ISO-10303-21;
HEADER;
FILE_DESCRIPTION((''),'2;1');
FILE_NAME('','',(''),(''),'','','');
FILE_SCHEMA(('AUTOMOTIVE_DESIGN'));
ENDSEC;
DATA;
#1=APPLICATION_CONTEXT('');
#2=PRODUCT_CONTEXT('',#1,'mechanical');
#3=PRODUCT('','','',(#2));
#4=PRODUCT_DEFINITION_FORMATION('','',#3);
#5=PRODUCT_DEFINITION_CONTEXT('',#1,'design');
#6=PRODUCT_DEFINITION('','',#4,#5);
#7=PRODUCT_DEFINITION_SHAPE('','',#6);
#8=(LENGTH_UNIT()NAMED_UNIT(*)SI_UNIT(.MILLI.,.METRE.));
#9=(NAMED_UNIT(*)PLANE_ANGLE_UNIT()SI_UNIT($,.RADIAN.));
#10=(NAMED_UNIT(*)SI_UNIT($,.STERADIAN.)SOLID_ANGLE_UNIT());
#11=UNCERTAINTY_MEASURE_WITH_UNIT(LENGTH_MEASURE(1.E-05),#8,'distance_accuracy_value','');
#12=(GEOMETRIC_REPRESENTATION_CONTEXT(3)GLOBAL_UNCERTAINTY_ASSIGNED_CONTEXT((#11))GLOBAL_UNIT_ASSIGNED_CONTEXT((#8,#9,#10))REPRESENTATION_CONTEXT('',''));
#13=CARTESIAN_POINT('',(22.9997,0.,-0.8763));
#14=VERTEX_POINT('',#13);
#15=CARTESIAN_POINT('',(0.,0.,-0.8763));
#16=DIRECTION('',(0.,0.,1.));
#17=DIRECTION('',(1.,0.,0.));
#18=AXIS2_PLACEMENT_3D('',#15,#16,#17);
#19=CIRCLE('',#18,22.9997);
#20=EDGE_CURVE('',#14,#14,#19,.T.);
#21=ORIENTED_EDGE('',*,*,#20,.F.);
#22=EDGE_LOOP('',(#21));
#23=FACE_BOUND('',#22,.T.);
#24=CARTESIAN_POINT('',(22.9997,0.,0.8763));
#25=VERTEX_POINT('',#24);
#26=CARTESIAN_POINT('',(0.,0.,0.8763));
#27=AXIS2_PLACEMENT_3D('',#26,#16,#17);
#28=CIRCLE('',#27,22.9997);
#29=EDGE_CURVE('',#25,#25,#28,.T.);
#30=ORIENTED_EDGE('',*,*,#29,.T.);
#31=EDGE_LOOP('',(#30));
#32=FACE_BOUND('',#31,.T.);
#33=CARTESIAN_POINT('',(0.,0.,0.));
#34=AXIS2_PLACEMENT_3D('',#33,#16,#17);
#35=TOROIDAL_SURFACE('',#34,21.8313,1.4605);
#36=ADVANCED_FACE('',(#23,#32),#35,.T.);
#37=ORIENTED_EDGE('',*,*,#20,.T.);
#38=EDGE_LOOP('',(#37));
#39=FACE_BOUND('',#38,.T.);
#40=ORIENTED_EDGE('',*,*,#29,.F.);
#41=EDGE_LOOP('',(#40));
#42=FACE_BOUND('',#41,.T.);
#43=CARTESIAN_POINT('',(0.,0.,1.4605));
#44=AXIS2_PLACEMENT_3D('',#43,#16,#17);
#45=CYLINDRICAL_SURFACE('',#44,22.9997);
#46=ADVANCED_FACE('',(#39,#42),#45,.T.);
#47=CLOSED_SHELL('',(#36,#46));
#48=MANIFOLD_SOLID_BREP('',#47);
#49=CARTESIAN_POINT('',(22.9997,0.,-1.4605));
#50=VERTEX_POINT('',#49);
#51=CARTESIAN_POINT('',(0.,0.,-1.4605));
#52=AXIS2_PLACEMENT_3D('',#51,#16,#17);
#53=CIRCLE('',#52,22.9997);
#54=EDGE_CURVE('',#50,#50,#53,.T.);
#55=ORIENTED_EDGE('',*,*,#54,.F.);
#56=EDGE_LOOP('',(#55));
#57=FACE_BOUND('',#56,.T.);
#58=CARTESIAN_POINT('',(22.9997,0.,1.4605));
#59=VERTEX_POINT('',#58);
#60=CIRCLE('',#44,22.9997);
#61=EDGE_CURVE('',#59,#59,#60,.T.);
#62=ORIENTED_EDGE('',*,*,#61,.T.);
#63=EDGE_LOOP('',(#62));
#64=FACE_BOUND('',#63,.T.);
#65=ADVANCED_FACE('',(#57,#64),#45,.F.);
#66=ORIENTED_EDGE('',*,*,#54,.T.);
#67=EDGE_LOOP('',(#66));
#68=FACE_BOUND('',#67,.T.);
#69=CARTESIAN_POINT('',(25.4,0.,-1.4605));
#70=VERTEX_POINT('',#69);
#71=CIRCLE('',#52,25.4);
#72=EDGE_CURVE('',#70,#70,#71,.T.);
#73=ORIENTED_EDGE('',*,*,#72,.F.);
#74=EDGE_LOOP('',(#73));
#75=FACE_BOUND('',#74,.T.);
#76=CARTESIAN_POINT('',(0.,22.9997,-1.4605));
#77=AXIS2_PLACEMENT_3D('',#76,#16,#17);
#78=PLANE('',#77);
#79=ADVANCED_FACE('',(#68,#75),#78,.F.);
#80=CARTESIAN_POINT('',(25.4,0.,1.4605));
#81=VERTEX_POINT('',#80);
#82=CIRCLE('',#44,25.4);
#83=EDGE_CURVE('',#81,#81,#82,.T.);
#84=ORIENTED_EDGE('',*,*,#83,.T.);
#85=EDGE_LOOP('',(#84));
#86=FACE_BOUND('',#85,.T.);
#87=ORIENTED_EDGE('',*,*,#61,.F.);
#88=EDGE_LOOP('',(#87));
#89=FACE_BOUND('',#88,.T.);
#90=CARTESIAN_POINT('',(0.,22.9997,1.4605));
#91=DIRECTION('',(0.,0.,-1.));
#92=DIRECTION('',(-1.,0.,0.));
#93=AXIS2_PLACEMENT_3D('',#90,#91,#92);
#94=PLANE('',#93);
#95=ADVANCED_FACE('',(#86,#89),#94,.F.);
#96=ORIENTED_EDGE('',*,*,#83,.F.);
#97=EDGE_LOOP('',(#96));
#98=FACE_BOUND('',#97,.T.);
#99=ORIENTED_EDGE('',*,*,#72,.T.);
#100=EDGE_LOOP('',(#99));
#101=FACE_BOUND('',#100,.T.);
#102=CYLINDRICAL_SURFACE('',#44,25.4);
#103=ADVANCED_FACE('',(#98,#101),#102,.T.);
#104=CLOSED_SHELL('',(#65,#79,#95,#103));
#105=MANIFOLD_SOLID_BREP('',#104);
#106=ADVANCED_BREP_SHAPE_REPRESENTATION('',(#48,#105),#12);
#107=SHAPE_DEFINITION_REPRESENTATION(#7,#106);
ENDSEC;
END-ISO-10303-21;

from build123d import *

# Parameters (mm, degrees)
SKETCH2_W = 2.921
SKETCH2_H = 2.4003


with BuildPart() as part:
    # Sketch2 → Revolve1 (revolve)
    with BuildSketch(Plane(origin=(0, 0, 0), x_dir=(0, 0, -1), z_dir=(1, 0, 0))):
        with Locations((0, 24.19985)):
            Rectangle(SKETCH2_W, SKETCH2_H)
    revolve(axis=Axis((0, 0, 1.4605), (0, 0, -1)))


with BuildPart() as body_2:
    # Sketch3 → Revolve2 (revolve)
    with BuildSketch(Plane(origin=(0, 0, 0), x_dir=(0, 0, -1), z_dir=(1, 0, 0))):
        with BuildLine():
            Line((-0.8763, 22.9997), (0.8763, 22.9997))
            ThreePointArc((0.8763, 22.9997), (0, 20.3708), (-0.8763, 22.9997))
        make_face()
    revolve(axis=Axis((0, 0, 1.4605), (0, 0, -1)))


solid = Compound([part.part, body_2.part])
